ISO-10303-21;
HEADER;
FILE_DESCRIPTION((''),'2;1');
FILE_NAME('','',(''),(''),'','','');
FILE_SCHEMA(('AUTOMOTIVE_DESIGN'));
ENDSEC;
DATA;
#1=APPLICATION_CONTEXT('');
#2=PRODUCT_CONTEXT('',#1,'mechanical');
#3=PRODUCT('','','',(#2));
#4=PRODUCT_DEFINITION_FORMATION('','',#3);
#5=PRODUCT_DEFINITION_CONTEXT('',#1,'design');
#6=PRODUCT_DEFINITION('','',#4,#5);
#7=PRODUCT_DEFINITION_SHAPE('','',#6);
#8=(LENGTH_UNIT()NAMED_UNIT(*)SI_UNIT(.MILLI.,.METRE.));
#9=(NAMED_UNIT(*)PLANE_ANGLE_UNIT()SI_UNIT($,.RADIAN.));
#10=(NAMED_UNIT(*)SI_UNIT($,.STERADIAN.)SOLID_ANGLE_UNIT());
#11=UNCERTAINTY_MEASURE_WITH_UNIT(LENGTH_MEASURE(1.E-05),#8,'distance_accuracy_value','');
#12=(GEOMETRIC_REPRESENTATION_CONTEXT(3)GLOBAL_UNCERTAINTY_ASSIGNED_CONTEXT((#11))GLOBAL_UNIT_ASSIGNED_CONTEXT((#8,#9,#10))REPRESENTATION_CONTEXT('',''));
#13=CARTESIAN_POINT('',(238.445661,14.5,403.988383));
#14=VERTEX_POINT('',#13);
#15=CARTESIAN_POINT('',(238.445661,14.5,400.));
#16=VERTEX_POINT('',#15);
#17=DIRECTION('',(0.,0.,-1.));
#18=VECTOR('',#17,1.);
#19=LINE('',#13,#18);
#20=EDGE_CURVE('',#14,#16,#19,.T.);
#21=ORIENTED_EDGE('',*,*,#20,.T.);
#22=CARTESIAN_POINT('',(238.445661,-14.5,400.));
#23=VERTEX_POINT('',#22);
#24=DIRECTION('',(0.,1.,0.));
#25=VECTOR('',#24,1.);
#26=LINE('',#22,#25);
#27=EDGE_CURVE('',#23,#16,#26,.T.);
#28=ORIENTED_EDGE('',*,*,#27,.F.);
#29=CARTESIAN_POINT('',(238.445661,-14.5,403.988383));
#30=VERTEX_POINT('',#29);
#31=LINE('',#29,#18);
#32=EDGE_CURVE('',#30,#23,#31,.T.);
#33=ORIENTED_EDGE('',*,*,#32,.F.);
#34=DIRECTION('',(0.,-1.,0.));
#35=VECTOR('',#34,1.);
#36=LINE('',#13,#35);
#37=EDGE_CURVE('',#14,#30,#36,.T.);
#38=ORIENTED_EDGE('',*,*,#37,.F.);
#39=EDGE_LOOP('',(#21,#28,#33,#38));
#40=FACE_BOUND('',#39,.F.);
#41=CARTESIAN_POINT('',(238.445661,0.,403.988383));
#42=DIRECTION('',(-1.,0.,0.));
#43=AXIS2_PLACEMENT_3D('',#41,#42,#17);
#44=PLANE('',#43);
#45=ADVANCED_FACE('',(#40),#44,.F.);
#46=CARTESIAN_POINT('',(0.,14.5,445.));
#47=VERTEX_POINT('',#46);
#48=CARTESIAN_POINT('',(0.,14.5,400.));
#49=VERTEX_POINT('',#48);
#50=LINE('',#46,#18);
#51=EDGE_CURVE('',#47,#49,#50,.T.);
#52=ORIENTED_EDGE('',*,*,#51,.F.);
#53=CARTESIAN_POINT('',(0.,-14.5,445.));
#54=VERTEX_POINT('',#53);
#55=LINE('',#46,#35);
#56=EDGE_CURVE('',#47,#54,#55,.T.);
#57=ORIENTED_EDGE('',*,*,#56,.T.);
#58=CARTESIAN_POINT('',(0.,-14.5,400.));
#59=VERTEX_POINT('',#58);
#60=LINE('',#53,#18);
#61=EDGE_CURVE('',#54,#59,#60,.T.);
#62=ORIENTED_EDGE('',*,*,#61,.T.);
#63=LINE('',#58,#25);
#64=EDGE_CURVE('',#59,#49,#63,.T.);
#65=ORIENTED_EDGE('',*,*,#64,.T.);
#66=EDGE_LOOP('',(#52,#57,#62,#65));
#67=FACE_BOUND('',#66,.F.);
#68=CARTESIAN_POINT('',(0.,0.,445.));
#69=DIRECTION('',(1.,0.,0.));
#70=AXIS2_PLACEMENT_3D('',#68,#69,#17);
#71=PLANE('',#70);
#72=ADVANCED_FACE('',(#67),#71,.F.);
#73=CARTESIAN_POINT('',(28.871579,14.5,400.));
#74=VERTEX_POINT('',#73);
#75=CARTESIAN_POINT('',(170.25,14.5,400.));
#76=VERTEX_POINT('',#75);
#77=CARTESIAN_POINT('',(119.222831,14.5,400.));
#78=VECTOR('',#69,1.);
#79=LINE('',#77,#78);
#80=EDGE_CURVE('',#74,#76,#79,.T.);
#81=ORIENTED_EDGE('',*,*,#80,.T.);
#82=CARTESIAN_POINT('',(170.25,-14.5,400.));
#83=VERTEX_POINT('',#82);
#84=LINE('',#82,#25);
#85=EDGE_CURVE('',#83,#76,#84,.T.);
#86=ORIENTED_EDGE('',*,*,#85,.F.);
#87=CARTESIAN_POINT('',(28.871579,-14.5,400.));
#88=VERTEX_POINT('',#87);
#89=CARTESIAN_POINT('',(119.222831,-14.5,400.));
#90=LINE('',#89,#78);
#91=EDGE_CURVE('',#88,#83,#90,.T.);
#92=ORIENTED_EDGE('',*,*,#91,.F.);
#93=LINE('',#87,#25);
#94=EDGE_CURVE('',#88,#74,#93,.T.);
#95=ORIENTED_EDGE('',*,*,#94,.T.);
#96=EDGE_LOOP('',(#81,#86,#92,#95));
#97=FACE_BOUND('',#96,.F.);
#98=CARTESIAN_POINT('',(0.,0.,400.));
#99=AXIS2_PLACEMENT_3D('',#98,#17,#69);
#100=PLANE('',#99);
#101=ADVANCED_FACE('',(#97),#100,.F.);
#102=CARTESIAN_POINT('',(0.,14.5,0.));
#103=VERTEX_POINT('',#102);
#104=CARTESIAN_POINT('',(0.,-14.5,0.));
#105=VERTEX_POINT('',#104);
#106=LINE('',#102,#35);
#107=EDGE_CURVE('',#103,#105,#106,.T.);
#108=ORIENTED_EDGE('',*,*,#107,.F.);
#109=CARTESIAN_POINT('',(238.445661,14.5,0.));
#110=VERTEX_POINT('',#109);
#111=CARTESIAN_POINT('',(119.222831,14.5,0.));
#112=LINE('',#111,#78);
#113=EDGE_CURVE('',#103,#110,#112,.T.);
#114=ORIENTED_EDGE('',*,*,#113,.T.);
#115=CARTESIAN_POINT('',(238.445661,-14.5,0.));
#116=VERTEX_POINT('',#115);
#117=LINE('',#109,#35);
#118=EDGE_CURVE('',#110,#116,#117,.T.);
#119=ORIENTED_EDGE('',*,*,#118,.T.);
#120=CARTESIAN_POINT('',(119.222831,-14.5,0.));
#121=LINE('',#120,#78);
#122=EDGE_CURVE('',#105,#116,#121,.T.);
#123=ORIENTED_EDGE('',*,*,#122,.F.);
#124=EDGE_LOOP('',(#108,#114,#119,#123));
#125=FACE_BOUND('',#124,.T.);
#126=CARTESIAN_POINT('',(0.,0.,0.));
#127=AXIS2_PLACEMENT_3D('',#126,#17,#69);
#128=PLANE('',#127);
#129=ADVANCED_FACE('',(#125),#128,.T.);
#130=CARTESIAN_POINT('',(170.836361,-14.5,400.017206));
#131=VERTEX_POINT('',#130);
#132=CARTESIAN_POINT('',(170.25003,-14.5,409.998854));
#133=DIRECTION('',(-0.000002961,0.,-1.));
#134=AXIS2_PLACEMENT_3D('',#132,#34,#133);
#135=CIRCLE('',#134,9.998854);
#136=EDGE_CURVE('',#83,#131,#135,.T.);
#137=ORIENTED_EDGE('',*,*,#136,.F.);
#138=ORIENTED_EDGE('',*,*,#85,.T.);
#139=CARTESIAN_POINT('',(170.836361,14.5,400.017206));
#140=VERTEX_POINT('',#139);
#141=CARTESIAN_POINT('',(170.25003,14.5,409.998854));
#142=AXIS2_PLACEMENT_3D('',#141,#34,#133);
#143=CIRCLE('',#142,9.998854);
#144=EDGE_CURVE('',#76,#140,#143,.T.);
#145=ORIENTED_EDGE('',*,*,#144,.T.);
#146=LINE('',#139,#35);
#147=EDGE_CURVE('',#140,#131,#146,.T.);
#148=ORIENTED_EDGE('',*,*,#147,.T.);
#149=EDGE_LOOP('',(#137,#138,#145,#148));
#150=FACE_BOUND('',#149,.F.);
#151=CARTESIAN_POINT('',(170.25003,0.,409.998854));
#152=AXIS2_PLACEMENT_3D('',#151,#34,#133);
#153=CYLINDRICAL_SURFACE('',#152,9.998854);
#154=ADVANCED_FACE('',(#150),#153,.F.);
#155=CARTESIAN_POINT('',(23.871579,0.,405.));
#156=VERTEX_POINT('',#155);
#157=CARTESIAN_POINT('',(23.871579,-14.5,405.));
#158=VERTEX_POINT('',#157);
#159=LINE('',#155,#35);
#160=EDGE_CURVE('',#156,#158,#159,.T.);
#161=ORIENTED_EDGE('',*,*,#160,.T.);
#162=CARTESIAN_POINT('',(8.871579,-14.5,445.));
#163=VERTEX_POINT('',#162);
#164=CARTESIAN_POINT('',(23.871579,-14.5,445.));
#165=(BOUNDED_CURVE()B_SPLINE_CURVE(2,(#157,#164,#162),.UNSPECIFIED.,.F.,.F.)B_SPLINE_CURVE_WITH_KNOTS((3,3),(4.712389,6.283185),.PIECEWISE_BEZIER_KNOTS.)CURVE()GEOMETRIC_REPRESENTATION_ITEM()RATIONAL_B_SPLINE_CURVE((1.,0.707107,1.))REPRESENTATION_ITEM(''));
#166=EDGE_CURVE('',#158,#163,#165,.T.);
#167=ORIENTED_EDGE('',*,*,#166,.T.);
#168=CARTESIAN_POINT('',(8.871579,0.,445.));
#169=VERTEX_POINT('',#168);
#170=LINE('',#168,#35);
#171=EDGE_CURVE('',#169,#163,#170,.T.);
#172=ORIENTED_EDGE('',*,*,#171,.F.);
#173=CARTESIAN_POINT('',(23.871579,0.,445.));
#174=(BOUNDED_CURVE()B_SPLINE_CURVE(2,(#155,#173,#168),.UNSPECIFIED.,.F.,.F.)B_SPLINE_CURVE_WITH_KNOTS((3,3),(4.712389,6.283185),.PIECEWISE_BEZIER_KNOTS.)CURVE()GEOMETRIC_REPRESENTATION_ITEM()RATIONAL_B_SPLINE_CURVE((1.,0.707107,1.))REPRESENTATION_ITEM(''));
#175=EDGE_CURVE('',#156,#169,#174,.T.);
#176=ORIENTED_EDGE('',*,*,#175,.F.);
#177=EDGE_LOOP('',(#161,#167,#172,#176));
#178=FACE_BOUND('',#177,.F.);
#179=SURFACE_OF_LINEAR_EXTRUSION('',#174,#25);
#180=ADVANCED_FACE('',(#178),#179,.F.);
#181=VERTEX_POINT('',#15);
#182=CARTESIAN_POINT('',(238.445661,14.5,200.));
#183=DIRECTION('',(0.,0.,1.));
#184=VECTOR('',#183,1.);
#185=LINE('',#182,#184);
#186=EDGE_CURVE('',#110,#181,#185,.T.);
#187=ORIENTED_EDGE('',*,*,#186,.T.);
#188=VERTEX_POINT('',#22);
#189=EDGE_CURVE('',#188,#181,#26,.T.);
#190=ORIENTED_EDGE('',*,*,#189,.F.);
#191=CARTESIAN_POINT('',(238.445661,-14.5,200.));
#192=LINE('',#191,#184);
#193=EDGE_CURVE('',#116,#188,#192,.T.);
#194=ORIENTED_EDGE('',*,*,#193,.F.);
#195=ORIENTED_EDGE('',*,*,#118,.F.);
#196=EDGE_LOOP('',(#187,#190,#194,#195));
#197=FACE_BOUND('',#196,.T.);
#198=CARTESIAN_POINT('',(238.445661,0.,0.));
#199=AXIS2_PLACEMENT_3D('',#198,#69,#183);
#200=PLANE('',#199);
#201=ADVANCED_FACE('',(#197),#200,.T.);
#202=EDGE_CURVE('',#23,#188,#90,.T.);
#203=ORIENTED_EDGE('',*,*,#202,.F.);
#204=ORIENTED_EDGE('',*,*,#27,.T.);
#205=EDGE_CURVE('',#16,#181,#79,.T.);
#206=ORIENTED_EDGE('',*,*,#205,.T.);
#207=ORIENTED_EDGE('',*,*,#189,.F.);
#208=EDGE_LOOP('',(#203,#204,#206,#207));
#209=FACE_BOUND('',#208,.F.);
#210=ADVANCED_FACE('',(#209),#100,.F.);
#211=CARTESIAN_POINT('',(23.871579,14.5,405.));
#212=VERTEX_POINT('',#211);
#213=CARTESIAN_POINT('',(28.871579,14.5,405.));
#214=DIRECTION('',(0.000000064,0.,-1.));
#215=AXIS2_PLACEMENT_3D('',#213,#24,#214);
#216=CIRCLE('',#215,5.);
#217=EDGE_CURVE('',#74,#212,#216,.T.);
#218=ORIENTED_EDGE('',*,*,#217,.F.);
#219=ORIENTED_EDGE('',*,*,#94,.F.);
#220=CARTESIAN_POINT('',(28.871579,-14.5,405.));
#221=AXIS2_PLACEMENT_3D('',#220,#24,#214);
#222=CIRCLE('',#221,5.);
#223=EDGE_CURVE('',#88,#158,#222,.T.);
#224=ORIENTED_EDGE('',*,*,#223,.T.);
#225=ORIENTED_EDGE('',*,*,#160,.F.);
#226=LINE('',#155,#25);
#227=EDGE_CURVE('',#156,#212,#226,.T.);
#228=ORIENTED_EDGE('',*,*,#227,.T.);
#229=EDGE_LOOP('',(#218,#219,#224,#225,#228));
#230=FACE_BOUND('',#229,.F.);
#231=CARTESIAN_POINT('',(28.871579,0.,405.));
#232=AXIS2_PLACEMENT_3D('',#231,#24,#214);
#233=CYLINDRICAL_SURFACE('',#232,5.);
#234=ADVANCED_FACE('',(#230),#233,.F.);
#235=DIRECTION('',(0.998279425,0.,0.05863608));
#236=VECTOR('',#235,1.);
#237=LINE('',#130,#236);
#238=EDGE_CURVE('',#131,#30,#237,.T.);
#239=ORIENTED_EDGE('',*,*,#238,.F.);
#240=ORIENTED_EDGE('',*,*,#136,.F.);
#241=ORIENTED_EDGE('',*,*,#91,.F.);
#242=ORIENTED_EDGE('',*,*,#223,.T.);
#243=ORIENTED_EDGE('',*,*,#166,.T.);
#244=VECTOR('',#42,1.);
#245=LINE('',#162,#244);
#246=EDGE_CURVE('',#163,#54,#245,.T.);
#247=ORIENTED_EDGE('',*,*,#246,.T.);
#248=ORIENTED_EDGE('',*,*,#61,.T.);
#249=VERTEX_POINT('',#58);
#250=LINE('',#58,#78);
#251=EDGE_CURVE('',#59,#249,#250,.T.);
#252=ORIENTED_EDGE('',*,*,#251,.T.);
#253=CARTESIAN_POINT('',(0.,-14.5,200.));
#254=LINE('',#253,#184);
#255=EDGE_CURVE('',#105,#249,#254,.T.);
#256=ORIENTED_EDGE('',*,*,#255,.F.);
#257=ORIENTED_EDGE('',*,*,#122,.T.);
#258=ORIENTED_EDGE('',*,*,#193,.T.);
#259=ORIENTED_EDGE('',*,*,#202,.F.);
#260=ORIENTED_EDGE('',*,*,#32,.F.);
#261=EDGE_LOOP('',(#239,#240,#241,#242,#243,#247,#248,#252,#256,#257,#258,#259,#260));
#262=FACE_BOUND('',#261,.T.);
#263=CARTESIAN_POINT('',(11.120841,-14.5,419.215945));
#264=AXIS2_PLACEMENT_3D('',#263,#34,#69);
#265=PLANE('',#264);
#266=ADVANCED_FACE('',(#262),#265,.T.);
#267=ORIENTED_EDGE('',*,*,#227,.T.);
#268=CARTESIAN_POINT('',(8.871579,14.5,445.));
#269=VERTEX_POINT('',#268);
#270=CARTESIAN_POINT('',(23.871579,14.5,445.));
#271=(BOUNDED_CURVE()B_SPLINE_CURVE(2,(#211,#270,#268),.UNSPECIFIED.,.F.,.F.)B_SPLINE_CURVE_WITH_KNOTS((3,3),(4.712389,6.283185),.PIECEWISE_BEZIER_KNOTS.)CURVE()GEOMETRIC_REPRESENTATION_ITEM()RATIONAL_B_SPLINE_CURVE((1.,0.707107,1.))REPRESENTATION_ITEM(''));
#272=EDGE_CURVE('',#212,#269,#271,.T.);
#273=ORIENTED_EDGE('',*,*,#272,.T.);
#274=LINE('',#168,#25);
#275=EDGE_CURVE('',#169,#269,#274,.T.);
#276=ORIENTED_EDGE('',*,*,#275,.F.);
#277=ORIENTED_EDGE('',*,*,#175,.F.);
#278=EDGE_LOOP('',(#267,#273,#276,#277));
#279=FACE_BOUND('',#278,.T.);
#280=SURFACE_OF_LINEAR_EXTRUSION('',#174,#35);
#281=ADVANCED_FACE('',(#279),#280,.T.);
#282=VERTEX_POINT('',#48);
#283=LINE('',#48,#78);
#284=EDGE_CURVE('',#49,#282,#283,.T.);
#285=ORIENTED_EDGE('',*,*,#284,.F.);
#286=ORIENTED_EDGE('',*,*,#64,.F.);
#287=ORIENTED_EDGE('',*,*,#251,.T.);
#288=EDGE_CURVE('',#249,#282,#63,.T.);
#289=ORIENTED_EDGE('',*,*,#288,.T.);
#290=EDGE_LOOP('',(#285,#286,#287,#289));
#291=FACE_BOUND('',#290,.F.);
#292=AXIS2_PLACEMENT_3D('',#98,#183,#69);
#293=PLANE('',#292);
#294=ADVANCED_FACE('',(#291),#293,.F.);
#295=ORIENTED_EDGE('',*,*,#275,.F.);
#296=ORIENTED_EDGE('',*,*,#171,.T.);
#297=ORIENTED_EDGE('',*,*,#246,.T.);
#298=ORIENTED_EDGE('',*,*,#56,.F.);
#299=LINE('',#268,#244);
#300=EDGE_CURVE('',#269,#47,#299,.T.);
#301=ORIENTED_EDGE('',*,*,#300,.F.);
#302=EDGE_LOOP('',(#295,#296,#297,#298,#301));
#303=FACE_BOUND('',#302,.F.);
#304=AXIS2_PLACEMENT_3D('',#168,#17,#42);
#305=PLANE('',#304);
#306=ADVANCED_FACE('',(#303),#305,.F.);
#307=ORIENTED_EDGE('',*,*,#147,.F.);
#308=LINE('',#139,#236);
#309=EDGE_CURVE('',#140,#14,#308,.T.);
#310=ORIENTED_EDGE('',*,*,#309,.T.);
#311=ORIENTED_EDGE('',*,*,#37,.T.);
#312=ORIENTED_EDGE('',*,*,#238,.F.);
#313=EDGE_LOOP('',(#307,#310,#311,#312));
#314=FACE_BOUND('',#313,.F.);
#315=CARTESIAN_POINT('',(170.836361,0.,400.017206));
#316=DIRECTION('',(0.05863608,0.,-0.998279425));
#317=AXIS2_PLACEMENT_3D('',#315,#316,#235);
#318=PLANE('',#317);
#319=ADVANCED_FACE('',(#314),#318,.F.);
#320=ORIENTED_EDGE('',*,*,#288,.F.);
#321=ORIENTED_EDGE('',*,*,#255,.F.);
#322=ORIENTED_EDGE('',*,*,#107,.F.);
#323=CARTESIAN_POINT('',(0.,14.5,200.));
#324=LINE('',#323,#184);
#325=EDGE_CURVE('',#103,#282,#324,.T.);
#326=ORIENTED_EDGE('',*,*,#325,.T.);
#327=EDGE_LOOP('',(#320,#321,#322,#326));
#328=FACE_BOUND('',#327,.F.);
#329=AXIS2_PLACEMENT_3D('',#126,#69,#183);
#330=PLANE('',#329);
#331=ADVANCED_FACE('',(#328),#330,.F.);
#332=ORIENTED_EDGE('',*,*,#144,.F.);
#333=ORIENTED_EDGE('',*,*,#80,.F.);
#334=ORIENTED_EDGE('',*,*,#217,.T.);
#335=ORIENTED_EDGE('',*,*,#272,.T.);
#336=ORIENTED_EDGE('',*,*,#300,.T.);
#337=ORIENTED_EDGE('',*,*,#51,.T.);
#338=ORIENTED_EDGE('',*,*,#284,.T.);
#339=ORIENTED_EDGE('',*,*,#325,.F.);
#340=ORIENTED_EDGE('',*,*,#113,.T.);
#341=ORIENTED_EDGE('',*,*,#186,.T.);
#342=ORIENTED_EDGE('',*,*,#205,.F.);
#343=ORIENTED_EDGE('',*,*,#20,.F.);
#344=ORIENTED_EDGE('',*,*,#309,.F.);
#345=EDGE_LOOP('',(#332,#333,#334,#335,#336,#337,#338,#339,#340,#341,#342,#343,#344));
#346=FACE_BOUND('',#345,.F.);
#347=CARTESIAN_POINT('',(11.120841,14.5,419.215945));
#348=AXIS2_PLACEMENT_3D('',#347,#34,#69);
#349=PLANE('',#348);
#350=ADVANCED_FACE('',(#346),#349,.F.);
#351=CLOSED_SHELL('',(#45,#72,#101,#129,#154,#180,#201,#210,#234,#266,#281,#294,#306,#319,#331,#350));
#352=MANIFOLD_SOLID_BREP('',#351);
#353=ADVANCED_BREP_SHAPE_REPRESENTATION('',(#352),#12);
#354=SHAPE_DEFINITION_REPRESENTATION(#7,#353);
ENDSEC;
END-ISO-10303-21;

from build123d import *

# Parameters (mm, degrees)
EXTRUDE002_DEPTH = 14.5
SKETCH003_W      = 238.445661
SKETCH003_H      = 400
EXTRUDE001_DEPTH = 14.5


with BuildPart() as extrude002:
    # Sketch001 → Extrude002 (new body, symmetric)
    with BuildSketch(Plane(origin=(0, 0, 400), x_dir=(1, 0, 0), z_dir=(0, -1, 0))):
        with BuildLine():
            add(Edge.make_bspline(
                [(23.871579, 5), (23.871579, 45), (8.871579, 45)],
                knots=[4.712389, 4.712389, 4.712389, 6.283185, 6.283185, 6.283185], degree=2, weights=[1, 0.707107, 1]))
            Line((8.871579, 45), (0, 45))
            Line((0, 45), (0, 0))
            Line((0, 0), (28.871579, 0))
            ThreePointArc((28.871579, 0), (25.336045, 1.464466), (23.871579, 5))
        make_face()
        with BuildLine():
            Line((238.445661, 3.988383), (238.445661, 0))
            Line((238.445661, 0), (170.25, 0))
            ThreePointArc((170.25, 0), (170.543307, 0.004302), (170.836361, 0.017206))
            Line((170.836361, 0.017206), (238.445661, 3.988383))
        make_face()
    extrude(amount=EXTRUDE002_DEPTH, both=True)


with BuildPart() as basin_cut:
    # Sketch003 → Extrude001 (new body, symmetric)
    with BuildSketch(Plane.XZ):
        with Locations((119.222831, 200)):
            Rectangle(SKETCH003_W, SKETCH003_H)
    extrude(amount=EXTRUDE001_DEPTH, both=True)

    # Fusion: union Extrude002
    add(extrude002.part)


solid = basin_cut.part
